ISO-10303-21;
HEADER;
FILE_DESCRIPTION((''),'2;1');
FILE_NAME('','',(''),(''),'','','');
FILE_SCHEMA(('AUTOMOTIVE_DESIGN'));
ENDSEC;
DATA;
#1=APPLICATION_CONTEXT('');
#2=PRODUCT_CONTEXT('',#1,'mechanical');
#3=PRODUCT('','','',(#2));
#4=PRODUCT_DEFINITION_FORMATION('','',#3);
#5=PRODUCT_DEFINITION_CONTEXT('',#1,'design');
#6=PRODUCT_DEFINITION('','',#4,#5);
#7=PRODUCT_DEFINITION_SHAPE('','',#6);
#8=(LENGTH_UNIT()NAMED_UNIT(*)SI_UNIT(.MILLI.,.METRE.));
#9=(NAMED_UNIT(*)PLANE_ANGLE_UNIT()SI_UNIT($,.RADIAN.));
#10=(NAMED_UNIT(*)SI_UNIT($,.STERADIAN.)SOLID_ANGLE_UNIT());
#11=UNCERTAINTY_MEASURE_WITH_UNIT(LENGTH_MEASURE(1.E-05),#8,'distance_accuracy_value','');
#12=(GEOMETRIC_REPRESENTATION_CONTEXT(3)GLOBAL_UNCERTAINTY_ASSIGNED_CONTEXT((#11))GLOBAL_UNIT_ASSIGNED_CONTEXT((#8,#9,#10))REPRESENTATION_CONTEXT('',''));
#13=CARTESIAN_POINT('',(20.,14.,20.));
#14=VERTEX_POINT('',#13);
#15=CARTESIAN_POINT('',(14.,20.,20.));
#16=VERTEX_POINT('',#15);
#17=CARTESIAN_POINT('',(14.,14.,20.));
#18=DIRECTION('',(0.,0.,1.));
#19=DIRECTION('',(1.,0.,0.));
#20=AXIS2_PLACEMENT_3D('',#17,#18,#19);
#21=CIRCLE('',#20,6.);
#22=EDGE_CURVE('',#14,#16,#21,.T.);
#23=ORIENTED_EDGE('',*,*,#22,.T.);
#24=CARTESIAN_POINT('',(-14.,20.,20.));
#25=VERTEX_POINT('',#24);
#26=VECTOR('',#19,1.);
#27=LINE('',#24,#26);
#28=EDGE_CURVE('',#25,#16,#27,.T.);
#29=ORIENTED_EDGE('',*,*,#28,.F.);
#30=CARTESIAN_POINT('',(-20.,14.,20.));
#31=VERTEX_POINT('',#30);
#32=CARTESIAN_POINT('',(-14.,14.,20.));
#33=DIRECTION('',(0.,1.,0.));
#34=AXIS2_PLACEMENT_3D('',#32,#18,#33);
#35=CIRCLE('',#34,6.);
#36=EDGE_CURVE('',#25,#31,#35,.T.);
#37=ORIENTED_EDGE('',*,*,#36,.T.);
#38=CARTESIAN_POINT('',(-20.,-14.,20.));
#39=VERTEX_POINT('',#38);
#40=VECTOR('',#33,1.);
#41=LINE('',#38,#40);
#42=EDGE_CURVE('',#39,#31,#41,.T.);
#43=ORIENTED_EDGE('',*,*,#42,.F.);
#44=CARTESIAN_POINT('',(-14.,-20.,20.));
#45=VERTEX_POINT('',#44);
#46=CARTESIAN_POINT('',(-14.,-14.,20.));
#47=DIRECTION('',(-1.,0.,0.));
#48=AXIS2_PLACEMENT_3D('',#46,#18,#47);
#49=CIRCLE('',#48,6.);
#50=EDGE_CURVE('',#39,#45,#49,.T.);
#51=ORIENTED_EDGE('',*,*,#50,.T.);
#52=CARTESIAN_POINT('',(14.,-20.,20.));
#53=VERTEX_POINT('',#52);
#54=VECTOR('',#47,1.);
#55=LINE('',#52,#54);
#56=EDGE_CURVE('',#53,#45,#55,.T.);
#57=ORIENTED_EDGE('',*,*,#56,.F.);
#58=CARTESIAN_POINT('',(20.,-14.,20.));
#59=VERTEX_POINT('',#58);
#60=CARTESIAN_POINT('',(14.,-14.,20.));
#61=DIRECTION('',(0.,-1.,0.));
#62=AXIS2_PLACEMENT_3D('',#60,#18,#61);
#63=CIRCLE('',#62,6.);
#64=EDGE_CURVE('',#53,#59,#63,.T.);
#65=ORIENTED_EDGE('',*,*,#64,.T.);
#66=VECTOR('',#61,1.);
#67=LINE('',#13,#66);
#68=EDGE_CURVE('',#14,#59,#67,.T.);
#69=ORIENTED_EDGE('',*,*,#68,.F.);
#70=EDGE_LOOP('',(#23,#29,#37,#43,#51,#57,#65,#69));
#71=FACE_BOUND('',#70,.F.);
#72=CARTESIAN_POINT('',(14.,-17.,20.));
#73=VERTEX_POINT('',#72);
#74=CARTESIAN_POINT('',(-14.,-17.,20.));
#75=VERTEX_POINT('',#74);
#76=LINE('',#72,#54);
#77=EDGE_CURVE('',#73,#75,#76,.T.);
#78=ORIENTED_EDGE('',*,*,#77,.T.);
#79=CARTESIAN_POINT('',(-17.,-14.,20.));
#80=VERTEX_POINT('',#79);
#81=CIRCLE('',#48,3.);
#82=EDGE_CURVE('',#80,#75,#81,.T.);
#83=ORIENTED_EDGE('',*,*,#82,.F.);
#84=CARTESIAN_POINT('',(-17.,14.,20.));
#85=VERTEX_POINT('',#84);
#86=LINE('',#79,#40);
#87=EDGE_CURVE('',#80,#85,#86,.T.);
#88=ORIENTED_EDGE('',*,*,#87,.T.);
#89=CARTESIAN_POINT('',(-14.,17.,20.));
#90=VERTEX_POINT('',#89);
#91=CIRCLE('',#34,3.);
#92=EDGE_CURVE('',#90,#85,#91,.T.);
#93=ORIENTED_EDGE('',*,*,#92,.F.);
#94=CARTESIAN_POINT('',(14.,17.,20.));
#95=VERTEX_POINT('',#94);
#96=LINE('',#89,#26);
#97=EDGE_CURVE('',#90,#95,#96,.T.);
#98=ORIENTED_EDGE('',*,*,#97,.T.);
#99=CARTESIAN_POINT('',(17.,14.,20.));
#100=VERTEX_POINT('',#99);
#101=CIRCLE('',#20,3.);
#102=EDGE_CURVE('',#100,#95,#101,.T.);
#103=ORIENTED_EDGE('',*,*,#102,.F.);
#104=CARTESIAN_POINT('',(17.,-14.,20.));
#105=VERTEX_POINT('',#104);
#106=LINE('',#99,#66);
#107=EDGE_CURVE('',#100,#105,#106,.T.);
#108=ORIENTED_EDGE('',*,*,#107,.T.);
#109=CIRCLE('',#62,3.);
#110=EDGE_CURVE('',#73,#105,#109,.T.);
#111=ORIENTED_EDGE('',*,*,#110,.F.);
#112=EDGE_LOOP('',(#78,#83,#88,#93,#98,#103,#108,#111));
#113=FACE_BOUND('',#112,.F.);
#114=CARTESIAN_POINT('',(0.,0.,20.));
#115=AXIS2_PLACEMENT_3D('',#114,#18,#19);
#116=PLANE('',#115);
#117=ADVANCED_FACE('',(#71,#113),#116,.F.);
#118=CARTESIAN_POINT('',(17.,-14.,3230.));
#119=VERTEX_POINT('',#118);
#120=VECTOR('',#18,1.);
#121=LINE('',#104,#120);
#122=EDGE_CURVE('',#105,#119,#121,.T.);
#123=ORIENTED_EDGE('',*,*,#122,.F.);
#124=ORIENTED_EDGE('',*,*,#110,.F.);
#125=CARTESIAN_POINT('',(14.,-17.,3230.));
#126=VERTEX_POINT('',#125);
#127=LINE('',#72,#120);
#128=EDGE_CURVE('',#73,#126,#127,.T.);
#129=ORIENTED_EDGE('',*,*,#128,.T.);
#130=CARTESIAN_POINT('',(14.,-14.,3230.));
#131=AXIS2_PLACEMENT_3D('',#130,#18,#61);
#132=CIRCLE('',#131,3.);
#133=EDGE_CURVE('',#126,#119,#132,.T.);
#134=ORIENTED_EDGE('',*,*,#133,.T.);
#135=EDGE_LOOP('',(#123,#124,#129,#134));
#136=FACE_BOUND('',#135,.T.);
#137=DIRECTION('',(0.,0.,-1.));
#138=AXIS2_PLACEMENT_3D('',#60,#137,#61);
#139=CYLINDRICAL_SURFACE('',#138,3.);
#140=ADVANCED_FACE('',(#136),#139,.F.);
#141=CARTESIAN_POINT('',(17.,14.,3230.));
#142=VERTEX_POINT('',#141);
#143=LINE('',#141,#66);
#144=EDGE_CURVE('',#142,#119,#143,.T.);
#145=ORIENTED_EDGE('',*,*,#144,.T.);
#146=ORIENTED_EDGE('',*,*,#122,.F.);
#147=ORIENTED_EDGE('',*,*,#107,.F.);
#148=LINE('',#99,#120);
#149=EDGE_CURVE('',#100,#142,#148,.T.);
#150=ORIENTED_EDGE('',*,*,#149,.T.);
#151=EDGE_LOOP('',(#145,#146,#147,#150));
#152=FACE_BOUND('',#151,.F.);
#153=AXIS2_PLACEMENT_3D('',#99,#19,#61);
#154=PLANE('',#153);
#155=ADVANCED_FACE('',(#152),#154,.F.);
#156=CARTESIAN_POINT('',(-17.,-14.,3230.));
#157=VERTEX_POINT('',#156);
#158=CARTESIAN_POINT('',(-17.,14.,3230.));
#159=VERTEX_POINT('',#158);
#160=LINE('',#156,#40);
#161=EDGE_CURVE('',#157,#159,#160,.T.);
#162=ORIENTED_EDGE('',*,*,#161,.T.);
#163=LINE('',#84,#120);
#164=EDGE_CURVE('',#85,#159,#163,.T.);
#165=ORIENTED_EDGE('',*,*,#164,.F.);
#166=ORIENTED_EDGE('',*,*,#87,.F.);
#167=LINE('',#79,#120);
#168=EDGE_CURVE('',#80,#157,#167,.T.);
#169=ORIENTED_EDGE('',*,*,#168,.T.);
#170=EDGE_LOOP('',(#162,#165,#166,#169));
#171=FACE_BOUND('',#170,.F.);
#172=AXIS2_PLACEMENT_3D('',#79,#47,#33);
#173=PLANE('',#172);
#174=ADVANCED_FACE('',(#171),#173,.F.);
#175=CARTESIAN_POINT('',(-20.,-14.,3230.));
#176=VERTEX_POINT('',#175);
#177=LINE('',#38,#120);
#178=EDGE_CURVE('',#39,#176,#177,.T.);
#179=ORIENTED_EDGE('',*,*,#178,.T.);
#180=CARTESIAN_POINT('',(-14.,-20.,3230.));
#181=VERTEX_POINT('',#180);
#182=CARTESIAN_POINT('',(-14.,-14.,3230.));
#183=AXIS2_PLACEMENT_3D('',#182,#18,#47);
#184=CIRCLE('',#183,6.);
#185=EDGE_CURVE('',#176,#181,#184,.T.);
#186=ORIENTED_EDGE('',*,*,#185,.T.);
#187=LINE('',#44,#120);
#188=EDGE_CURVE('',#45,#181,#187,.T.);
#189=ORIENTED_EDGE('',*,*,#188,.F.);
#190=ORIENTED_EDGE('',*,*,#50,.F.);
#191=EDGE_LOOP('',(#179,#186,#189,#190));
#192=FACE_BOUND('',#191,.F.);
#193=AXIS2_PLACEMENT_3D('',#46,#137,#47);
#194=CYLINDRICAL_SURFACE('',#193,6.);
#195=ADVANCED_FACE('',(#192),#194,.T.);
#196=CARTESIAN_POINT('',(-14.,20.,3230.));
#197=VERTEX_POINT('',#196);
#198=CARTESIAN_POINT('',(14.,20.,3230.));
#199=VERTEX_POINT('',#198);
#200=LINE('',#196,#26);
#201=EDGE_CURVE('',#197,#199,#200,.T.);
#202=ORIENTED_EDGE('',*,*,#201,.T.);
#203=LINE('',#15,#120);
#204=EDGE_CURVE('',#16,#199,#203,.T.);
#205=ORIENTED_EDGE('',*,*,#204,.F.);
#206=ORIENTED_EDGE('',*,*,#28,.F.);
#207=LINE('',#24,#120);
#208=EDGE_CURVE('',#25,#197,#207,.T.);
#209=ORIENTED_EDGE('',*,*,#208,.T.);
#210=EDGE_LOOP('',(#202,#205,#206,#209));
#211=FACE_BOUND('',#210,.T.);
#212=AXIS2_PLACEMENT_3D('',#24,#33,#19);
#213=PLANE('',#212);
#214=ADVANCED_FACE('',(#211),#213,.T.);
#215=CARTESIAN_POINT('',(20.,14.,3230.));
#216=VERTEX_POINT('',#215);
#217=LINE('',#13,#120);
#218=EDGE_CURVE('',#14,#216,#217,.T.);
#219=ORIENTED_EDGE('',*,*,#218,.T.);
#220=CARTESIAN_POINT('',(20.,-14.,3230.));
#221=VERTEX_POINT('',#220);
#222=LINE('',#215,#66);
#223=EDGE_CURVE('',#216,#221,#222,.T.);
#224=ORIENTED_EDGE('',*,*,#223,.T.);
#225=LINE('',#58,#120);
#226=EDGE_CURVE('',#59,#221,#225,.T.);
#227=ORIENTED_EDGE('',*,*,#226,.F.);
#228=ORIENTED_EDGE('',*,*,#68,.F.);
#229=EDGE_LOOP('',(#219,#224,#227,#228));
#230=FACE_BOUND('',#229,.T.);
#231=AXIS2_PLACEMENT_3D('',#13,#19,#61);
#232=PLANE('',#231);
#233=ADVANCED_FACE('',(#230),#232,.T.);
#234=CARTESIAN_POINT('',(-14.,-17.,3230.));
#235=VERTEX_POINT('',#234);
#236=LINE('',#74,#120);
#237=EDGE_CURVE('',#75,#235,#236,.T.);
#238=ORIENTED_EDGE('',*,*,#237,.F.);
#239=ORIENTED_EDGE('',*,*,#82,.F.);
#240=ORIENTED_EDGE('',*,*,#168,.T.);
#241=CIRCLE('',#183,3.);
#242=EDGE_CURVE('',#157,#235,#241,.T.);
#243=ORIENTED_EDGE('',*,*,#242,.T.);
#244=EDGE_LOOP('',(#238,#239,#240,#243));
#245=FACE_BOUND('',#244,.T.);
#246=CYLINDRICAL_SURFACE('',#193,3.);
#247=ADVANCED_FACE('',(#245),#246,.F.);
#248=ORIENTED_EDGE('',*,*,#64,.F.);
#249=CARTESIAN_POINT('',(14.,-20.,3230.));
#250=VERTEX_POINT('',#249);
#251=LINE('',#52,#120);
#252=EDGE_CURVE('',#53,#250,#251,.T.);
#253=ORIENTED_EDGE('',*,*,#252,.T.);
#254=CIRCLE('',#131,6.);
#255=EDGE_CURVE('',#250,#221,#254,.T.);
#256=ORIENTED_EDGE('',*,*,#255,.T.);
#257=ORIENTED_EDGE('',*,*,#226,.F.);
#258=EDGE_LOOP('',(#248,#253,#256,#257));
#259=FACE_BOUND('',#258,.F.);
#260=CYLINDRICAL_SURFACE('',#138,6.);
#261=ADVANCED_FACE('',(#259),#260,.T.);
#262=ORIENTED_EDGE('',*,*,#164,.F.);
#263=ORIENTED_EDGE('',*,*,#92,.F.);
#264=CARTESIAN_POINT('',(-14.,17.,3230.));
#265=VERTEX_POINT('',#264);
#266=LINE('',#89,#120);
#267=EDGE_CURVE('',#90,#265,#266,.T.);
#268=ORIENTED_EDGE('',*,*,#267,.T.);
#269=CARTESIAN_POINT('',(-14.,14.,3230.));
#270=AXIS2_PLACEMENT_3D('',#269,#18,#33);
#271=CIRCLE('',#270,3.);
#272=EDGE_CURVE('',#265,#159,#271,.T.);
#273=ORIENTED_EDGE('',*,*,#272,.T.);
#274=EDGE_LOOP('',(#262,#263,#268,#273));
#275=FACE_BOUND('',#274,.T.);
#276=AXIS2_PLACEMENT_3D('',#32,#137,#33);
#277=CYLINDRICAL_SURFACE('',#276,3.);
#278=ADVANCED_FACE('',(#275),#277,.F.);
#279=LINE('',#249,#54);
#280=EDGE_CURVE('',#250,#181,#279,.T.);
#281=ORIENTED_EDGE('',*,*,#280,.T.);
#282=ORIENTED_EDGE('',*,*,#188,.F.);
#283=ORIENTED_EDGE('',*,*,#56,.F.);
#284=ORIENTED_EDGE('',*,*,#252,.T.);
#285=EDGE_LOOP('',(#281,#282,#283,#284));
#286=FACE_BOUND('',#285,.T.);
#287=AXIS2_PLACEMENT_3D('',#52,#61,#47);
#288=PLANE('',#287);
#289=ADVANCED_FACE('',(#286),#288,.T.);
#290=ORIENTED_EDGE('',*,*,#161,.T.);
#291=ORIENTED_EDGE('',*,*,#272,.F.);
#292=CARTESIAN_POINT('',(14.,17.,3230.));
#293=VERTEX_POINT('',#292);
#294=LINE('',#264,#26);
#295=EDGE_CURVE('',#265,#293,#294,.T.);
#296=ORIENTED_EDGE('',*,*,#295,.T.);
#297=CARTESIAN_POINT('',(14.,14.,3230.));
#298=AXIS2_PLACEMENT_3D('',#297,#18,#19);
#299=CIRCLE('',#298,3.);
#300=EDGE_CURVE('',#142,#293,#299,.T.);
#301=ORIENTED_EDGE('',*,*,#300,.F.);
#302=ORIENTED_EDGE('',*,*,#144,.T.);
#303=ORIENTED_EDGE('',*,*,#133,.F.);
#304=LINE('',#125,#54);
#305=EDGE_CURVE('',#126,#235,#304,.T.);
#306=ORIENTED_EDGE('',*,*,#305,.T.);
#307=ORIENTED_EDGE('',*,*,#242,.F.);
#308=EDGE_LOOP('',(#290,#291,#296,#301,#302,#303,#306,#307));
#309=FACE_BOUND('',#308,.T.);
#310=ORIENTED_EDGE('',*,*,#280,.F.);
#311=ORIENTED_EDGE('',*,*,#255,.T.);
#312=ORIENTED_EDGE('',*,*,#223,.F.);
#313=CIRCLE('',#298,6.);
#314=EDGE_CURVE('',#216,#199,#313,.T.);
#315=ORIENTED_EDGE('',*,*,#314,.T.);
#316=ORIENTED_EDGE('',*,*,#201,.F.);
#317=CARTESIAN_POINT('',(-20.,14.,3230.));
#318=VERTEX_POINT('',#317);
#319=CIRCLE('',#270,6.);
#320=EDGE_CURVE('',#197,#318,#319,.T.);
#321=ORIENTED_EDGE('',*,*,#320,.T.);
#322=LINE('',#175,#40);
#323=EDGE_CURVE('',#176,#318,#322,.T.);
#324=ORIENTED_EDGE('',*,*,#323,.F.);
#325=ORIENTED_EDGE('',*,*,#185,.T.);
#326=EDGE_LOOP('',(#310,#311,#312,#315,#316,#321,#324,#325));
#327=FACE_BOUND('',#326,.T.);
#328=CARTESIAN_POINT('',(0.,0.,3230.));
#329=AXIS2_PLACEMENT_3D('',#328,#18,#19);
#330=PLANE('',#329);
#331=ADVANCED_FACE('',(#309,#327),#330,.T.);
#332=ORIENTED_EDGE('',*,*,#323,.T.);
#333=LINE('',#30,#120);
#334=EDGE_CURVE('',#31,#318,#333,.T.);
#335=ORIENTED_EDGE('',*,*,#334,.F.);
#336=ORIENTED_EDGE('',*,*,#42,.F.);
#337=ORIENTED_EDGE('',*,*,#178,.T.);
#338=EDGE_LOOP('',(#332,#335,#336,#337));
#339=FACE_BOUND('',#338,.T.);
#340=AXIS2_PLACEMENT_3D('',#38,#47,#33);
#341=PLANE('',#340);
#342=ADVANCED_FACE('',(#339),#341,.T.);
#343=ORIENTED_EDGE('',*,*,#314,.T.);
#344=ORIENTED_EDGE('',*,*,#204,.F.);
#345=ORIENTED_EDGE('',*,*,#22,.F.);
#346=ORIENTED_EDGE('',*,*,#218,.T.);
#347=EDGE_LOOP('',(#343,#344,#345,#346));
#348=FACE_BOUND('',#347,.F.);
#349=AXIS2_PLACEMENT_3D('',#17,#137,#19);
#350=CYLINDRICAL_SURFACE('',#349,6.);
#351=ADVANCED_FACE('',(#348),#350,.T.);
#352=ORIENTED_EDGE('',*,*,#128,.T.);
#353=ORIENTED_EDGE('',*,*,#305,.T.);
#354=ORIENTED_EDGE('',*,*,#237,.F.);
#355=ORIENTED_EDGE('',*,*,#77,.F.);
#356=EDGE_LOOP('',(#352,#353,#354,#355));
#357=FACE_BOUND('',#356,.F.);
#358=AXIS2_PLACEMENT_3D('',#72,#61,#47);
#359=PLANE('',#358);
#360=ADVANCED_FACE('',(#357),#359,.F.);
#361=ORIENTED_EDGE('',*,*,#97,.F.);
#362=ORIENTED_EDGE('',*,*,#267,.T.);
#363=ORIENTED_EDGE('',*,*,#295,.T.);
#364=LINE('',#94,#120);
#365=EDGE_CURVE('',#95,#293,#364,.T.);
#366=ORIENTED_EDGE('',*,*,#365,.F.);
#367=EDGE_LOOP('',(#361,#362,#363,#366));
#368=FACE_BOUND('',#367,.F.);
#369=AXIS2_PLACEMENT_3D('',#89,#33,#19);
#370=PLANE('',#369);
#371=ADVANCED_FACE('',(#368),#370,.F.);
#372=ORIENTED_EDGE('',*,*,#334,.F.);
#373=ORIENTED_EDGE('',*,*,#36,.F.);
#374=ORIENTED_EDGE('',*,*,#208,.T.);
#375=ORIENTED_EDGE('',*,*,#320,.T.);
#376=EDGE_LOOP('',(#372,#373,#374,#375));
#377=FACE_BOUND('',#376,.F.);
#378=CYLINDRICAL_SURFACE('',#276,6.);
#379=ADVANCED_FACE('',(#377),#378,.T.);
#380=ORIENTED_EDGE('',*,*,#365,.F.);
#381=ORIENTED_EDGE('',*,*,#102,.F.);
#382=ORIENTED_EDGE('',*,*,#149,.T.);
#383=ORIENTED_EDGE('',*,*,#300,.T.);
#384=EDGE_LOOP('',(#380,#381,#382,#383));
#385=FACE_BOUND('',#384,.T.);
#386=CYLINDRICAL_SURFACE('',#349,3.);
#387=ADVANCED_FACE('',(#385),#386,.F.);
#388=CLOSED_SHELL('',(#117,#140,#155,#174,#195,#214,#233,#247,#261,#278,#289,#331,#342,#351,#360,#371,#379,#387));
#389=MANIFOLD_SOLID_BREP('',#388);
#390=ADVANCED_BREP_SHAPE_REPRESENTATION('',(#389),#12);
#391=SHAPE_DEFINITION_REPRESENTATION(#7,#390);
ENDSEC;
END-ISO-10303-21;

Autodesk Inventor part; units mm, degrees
ref_plane "Start Plane" through (0, 0, 20) normal (0, 0, 1) x (1, 0, 0)
ref_plane "End Plane" through (0, 0, 3230) normal (0, 0, 1) x (1, 0, 0)
sketch "Sketch" plane through (0, 0, 0) normal (0, 0, 1) x (1, 0, 0)
  line L0 (-20, -14) -> (-20, 14)
  line L1 (-14, 20) -> (14, 20)
  line L2 (20, 14) -> (20, -14)
  line L3 (14, -20) -> (-14, -20)
  arc A0 (-20, -14) -> (-14, -20) centre (-14, -14) ccw
  arc A1 (20, 14) -> (14, 20) centre (14, 14) ccw
  arc A2 (-14, 20) -> (-20, 14) centre (-14, 14) ccw
  arc A3 (14, -20) -> (20, -14) centre (14, -14) ccw
  arc A4 (-14, 17) -> (-17, 14) centre (-14, 14) ccw
  line L4 (-14, 17) -> (14, 17)
  arc A5 (17, 14) -> (14, 17) centre (14, 14) ccw
  line L5 (17, 14) -> (17, -14)
  arc A6 (14, -17) -> (17, -14) centre (14, -14) ccw
  line L6 (14, -17) -> (-14, -17)
  arc A7 (-17, -14) -> (-14, -17) centre (-14, -14) ccw
  line L7 (-17, -14) -> (-17, 14)
  line L8 (0, 29.7397) -> (0, -29.7397) construction
  line L9 (-29.7397, 0) -> (29.7397, 0) construction
  dimension "d7" = 6
  dimension "d9" = 40
  dimension "d11" = 40
  dimension "d12" = 3
  dimension "d15" = 20
  dimension "d16" = 20
extrude "Body" add sketch "Sketch" along normal up to surface (3210 mm away) from surface at 20
sketch "Sketch3" plane through (0, 0, 0) normal (0, 0, 1) x (1, 0, 0)
  line L0 (0, 0) -> (10, 0)
ref_plane "Work Plane3" through (0, 0, 0) normal (0, -1, 0) x (1, 0, 0)
ref_plane "Work Plane4" through (-1780, 12, 3230) normal (0, 0, 1) x (1, 0, 0)
split "Split1" plane through (-1780, 12, 3230) removes the side toward (0, 0, 1)
ref_plane "Work Plane5" through (220, 12, 20) normal (0, 0, -1) x (-1, 0, 0)
split "Split2" plane through (220, 12, 20) removes the side toward (0, 0, -1)
sketch "Sketch4" plane through (0, 0, 0) normal (0, -1, 0) x (1, 0, 0)
  line L0 (-2, 20) -> (12, 20) projected
  line L1 (-2, 3230) -> (12, 3230) projected
  dimension "d18" = 3210
equation "\"d7\" = G_IR"
equation "\"d9\" = G_W"
equation "\"d11\" = G_H"
equation "\"d12\" = G_T"
equation "\"d15\" = 0.5 * d9"
equation "\"d16\" = 0.5 * d11"
equation "\"d3\" = G_L"
equation "\"G_W\" = 40"
equation "\"G_H\" = 40"
equation "\"G_T\" = 3"
equation "\"G_IR\" = 6"
equation "\"G_L\" = d18"
properties part number "ISO 10799-2 - 40x40x3 - 3210" material "Steel, Mild"
